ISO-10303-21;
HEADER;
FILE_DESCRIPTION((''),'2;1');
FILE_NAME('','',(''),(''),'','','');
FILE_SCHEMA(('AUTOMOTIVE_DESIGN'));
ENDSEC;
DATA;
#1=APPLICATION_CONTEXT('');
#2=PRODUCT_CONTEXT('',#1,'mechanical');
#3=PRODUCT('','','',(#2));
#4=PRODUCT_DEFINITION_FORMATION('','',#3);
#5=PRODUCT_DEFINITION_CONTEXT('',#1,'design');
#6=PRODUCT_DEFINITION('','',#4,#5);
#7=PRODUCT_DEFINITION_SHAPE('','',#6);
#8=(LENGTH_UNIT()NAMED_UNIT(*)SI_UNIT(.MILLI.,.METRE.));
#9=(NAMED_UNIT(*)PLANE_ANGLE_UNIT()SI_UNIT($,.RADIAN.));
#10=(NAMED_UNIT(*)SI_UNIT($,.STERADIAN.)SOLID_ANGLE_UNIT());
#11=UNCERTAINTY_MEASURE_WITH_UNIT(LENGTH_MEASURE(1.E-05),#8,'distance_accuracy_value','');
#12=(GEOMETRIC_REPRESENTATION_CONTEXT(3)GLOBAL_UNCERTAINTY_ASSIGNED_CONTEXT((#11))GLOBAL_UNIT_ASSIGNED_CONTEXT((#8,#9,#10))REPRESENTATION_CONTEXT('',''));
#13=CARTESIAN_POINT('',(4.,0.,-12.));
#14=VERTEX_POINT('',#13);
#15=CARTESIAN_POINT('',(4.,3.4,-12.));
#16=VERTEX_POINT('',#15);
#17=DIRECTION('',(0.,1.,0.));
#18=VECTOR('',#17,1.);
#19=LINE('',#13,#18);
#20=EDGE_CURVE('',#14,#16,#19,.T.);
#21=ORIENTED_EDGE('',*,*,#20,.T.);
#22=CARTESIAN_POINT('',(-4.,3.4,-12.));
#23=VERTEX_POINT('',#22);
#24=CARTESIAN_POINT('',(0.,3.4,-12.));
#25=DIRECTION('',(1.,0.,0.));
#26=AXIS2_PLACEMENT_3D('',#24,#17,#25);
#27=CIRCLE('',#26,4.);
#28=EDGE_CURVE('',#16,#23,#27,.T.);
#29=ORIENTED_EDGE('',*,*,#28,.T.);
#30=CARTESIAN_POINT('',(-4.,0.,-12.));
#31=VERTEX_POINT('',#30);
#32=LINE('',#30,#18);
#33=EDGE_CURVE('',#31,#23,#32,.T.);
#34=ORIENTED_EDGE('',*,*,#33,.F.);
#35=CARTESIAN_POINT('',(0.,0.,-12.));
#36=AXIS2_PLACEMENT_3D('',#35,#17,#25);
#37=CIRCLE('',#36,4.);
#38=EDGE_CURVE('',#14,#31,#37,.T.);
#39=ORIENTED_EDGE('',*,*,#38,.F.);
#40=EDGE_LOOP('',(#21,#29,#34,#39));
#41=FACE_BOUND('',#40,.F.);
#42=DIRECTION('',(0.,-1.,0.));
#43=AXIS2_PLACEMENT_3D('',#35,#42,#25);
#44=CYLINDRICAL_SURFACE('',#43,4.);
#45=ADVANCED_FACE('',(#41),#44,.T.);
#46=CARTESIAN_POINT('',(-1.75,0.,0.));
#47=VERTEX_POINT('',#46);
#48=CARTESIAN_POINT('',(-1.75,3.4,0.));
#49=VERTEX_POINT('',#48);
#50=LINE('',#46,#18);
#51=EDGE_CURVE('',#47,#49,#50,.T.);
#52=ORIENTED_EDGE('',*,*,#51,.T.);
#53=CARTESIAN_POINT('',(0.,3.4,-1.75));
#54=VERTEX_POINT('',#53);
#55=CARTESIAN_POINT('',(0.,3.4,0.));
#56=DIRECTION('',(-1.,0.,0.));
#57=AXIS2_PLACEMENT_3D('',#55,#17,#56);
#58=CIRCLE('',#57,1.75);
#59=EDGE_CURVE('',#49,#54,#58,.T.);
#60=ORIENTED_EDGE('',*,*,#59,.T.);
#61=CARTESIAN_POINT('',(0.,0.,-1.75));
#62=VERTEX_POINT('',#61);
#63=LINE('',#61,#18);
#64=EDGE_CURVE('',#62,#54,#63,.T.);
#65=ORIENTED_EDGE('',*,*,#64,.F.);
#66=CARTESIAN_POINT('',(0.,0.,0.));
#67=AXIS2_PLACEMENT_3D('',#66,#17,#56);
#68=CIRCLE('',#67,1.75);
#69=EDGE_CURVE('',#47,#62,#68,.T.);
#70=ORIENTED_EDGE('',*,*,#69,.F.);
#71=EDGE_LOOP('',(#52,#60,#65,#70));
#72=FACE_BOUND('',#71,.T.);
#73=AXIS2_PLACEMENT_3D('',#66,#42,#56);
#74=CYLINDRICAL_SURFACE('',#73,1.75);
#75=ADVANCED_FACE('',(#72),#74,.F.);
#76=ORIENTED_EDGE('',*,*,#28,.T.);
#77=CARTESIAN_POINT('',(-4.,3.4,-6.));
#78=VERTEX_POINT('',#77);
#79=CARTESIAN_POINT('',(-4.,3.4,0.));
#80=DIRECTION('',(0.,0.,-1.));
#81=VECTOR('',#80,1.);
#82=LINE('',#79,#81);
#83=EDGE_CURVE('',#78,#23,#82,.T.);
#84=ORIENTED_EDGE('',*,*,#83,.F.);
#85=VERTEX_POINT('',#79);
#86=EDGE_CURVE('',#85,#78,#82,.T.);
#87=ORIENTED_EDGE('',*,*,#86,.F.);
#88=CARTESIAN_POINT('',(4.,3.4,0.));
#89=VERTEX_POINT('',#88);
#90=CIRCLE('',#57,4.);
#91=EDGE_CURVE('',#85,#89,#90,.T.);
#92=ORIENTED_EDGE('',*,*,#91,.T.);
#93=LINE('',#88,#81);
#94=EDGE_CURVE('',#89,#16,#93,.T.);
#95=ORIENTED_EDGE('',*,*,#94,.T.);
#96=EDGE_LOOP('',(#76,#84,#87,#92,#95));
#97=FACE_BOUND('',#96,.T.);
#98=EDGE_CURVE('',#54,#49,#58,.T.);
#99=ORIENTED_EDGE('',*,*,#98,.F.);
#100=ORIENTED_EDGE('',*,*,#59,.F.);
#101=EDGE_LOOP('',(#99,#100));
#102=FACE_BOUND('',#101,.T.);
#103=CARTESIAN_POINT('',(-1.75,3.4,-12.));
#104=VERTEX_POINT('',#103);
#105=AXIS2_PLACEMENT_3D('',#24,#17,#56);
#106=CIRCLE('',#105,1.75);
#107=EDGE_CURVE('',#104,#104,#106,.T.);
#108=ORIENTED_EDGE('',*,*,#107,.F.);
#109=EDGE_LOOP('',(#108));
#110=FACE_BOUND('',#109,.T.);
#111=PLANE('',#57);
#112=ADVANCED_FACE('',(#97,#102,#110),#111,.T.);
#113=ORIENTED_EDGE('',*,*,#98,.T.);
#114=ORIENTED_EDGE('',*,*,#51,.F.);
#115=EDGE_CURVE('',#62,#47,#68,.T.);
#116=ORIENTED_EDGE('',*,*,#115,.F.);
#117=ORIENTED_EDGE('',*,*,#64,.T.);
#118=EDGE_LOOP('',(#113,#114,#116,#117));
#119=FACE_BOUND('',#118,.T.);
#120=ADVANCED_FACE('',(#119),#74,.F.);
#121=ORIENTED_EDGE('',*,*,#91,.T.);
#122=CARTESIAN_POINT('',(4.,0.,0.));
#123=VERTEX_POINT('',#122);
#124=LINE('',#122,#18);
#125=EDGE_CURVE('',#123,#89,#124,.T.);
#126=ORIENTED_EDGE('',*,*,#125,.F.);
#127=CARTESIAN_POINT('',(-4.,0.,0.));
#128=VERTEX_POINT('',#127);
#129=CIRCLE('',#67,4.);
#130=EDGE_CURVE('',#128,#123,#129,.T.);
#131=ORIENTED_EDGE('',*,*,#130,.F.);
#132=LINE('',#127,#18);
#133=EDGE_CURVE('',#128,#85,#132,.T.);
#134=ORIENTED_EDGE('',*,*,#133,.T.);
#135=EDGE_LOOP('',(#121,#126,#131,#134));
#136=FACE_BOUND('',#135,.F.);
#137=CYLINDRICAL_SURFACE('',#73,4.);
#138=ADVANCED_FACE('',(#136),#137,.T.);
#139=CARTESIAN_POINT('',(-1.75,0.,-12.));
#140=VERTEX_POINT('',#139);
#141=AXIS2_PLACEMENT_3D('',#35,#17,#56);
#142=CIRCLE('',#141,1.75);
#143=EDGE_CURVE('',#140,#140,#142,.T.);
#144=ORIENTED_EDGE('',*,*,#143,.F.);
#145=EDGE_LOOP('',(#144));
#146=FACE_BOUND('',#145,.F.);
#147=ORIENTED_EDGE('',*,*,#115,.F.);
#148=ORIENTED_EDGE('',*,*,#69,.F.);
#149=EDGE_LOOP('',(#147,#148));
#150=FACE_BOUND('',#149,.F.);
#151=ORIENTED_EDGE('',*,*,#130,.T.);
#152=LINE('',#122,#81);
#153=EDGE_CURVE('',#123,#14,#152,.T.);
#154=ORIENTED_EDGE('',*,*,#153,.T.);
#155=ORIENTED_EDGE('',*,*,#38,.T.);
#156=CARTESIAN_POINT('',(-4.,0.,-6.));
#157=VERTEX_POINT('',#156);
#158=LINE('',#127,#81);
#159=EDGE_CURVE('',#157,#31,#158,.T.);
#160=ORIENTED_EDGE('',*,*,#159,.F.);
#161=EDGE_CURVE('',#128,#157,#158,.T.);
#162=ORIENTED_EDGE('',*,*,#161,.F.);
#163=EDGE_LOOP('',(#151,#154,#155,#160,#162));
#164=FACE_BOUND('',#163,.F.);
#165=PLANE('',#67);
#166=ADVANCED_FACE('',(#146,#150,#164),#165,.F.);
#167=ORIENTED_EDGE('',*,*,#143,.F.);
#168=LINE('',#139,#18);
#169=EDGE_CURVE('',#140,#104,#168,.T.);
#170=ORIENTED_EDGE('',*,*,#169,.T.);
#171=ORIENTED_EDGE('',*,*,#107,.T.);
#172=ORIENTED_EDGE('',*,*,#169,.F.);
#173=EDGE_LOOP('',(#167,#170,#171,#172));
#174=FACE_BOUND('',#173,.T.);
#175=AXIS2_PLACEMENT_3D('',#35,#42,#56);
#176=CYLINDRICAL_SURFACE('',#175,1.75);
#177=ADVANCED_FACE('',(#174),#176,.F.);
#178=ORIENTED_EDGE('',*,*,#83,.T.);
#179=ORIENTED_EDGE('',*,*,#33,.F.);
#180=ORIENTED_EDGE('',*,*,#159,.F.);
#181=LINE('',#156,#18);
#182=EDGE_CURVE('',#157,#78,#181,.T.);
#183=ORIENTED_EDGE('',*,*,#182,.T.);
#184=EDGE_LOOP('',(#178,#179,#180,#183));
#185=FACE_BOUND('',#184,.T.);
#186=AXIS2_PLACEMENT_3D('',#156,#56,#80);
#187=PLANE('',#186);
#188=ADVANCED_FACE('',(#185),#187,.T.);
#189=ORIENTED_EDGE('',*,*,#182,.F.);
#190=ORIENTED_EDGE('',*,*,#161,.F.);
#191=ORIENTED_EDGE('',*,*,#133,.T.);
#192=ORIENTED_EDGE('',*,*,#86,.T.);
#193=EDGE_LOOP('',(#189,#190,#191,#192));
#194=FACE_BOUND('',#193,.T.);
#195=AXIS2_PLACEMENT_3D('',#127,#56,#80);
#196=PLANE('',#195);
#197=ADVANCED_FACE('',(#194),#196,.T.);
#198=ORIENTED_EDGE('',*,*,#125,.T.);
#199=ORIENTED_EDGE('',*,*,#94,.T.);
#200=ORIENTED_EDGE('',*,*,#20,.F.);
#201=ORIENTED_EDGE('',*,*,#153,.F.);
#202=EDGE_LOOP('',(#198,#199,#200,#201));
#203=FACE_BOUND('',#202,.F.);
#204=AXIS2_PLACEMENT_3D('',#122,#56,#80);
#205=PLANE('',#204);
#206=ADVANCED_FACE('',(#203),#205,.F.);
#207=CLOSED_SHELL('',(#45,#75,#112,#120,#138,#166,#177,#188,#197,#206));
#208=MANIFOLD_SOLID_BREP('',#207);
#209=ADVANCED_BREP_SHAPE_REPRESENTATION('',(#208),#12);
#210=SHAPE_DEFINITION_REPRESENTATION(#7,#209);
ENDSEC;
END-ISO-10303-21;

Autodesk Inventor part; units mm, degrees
ref_plane "YZ Plane" through (0, 0, 0) normal (1, 0, 0) x (0, 1, 0)
ref_plane "XZ Plane" through (0, 0, 0) normal (0, 1, 0) x (-1, 0, 0)
ref_plane "XY Plane" through (0, 0, 0) normal (0, 0, 1) x (1, 0, 0)
sketch "Boceto1" plane through (0, 0, 0) normal (0, 1, 0) x (-1, 0, 0)
  circle A0 centre (0, 0) radius 1.75
  arc A1 (4, 0) -> (-4, 0) centre (0, 0) ccw
  line L0 (4, 0) -> (4, -12)
  line L1 (0, 0) -> (0, -1.75)
  line L2 (4, 0) -> (4, -6)
  line L3 (4, -6) -> (0, -6)
  line L4 (-4, 0) -> (-4, -12)
  circle A2 centre (0, -12) radius 1.75
  arc A3 (-4, -12) -> (4, -12) centre (0, -12) ccw
  dimension "d0" = 3.5
  dimension "d1" = 8
  dimension "d2" = 12
  dimension "d3" = 6
extrude "Extrusión1" add sketch "Boceto1" along normal blind 3.4
properties part number "Direccion,2pero2.0"
